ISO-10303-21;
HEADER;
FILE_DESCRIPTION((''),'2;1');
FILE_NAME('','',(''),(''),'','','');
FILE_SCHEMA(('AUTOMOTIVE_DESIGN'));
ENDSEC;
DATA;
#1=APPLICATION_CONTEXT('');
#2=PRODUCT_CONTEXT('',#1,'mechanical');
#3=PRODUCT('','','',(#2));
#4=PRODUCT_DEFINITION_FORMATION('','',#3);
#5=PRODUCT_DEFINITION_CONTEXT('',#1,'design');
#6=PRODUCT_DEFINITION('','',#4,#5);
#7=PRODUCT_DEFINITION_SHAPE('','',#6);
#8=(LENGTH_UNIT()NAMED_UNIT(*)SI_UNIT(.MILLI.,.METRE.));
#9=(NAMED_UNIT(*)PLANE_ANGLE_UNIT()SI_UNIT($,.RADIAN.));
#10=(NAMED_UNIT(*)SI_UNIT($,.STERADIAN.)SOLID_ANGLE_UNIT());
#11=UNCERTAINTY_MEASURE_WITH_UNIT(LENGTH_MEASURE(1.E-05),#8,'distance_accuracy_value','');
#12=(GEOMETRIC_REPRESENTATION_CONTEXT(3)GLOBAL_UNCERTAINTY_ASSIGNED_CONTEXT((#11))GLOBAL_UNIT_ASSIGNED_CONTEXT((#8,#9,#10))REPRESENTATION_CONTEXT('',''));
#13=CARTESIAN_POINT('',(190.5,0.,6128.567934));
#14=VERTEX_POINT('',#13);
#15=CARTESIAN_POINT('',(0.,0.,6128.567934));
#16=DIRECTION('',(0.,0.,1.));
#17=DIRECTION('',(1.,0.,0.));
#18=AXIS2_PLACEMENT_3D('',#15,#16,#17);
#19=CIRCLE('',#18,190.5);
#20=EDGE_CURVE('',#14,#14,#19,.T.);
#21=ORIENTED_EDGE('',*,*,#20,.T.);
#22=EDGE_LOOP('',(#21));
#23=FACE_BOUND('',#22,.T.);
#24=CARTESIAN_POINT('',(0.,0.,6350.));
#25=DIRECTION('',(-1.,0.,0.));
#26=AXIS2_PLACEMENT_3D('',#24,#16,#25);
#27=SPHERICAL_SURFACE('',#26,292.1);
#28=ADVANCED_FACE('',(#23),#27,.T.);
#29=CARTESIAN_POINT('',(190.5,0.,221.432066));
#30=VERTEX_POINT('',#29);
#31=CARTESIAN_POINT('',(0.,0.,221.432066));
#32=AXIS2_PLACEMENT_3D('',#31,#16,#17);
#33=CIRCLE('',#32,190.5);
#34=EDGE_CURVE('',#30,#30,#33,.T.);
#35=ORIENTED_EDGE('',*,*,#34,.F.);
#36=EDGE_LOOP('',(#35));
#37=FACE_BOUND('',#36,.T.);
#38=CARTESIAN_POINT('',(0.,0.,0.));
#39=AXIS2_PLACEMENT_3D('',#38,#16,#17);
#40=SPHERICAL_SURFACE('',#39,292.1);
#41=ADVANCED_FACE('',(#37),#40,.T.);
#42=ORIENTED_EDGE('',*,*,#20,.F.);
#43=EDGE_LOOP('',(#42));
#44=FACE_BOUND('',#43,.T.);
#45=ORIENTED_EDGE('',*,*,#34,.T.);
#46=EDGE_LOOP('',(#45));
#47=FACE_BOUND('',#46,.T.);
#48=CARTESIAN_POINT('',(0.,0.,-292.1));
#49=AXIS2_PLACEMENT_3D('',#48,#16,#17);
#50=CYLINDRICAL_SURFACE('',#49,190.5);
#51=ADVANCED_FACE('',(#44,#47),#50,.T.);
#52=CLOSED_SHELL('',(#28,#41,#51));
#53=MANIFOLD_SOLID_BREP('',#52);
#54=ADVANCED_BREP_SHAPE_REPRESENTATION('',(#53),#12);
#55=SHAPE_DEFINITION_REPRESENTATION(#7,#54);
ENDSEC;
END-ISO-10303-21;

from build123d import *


with BuildPart() as part:
    # Sketch1 → Revolve1 (revolve)
    with BuildSketch(Plane(origin=(0, 0, 0), x_dir=(1, 0, 0), z_dir=(0, 1, 0))):
        with BuildLine():
            Line((0, 292.1), (0, -6642.1))
            ThreePointArc((0, -6642.1), (273.863758624, -6451.592577053), (190.5, -6128.567933668))
            Line((190.5, -6128.567933668), (190.5, -221.432066332))
            ThreePointArc((190.5, -221.432066332), (273.863758624, 101.592577053), (0, 292.1))
        make_face()
    revolve(axis=Axis((0, 0, -292.1), (0, 0, 1)))


solid = part.part
